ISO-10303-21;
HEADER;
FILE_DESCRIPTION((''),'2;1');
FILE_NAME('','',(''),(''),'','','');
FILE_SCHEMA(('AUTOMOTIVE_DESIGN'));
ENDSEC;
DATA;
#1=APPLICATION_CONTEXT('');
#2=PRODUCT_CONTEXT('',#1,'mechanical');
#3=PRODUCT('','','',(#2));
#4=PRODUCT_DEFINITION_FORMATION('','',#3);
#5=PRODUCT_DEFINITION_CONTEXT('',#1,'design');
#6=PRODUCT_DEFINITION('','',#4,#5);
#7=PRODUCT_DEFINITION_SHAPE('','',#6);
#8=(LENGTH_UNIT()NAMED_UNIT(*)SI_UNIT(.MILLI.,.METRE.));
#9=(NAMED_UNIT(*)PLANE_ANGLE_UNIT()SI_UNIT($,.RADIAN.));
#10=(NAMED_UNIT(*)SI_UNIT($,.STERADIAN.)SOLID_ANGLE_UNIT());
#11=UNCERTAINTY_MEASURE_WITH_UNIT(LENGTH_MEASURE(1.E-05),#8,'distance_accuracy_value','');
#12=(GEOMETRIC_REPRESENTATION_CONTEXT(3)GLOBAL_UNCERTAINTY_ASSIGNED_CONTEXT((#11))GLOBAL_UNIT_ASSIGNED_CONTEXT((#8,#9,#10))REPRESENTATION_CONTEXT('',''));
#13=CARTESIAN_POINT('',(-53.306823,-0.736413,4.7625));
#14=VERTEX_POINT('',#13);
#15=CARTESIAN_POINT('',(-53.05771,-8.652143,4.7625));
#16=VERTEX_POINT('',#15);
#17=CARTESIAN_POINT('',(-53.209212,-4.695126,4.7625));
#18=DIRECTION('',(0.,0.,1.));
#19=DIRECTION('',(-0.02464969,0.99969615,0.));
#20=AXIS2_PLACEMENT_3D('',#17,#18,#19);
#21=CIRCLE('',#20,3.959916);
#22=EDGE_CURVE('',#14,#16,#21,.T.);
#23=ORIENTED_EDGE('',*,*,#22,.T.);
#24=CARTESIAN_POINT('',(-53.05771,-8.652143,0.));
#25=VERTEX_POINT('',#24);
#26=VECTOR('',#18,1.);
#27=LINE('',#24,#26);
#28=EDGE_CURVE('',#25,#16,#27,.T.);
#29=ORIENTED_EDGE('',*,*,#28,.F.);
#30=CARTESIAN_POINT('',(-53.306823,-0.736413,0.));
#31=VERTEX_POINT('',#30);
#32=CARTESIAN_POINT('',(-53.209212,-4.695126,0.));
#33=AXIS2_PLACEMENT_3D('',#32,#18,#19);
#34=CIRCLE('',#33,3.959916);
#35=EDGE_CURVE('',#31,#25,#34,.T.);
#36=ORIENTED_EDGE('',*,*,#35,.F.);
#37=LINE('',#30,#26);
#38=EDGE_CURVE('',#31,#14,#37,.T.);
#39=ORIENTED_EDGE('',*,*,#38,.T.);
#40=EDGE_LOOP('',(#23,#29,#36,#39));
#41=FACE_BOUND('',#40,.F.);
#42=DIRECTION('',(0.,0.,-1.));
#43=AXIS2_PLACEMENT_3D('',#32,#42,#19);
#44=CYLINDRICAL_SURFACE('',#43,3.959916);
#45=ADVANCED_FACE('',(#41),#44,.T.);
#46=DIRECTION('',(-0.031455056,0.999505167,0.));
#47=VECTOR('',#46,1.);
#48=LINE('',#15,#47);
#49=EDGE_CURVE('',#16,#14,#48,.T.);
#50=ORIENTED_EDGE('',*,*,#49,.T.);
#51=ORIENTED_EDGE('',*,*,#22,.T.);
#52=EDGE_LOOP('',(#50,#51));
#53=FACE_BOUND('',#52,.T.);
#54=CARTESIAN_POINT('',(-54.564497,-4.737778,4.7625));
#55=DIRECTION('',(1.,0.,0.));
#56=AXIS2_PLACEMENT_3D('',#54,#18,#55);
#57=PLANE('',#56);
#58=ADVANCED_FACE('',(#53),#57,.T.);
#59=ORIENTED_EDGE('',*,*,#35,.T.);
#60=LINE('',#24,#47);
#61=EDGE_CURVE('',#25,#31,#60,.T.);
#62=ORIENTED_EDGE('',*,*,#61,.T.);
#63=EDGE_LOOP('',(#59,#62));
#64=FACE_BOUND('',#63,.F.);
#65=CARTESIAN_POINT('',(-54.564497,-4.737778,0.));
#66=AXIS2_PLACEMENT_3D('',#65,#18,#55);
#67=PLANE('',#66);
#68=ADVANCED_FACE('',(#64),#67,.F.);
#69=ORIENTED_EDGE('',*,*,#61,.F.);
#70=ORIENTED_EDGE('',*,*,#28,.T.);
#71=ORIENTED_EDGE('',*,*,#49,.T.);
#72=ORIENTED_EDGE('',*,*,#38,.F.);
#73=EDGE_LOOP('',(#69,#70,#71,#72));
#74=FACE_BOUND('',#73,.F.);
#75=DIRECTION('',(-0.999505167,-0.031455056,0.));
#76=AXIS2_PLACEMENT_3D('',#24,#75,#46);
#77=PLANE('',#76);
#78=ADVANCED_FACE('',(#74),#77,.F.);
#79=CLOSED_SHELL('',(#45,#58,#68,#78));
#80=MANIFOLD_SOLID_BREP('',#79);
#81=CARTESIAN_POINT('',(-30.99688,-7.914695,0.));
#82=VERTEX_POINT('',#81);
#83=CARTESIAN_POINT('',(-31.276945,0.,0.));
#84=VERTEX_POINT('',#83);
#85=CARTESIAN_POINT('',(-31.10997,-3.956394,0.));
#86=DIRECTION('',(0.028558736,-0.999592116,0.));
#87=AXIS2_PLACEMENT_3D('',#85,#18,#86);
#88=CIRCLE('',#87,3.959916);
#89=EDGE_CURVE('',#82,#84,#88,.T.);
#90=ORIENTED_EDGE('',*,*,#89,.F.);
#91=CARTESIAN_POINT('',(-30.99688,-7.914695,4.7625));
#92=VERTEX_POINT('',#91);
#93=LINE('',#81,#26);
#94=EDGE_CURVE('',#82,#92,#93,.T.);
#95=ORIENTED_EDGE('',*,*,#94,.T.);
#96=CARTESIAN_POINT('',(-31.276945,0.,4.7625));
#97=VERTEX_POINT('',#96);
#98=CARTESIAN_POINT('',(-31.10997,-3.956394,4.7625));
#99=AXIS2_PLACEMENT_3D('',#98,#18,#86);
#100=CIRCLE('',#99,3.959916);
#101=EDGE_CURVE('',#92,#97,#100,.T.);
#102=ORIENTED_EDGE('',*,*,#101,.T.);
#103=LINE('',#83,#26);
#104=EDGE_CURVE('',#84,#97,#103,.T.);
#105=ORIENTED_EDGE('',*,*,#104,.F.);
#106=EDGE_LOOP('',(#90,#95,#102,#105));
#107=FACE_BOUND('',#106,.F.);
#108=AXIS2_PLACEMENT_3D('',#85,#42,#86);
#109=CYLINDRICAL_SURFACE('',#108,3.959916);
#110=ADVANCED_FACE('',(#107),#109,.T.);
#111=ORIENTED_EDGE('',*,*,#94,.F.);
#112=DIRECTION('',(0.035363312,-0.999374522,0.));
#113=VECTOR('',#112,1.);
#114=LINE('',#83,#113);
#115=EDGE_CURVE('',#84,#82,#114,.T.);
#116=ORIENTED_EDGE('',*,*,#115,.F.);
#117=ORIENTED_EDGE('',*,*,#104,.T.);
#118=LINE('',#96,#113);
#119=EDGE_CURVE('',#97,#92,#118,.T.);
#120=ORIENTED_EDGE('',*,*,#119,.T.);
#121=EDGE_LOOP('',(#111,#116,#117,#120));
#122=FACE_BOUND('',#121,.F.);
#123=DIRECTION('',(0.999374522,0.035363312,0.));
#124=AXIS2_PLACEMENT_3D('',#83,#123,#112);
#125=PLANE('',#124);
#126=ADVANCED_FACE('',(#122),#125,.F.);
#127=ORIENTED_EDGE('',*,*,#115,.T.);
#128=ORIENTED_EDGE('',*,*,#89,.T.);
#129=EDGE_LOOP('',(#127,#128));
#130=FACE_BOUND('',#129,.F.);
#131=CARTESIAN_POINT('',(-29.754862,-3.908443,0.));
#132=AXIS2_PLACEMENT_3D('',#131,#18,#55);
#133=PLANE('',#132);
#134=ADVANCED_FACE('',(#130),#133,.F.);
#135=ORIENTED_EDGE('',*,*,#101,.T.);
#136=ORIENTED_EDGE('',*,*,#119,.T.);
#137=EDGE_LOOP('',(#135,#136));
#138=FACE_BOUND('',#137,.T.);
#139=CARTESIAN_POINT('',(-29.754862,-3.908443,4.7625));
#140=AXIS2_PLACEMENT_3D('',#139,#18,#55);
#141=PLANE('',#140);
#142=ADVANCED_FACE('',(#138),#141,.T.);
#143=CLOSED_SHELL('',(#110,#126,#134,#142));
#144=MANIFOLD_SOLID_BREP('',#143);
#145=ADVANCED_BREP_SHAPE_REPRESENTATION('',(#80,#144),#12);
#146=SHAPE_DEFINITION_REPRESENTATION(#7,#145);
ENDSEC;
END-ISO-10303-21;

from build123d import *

# Parameters (mm, degrees)
F1_DEPTH = 4.7625


with BuildPart() as f1:
    # F0 (on Top) → F1 (new body)
    with BuildSketch(Plane.XY):
        with BuildLine():
            Line((-31.276945, 0), (-30.99688, -7.914695))
            ThreePointArc((-30.99688, -7.914695), (-27.152531, -3.816358), (-31.276945, 0))
        make_face()
        with BuildLine():
            Line((-53.05771, -8.652143), (-53.306823, -0.736413))
            ThreePointArc((-53.306823, -0.736413), (-57.167169, -4.819686), (-53.05771, -8.652143))
        make_face()
    extrude(amount=F1_DEPTH)


solid = f1.part
